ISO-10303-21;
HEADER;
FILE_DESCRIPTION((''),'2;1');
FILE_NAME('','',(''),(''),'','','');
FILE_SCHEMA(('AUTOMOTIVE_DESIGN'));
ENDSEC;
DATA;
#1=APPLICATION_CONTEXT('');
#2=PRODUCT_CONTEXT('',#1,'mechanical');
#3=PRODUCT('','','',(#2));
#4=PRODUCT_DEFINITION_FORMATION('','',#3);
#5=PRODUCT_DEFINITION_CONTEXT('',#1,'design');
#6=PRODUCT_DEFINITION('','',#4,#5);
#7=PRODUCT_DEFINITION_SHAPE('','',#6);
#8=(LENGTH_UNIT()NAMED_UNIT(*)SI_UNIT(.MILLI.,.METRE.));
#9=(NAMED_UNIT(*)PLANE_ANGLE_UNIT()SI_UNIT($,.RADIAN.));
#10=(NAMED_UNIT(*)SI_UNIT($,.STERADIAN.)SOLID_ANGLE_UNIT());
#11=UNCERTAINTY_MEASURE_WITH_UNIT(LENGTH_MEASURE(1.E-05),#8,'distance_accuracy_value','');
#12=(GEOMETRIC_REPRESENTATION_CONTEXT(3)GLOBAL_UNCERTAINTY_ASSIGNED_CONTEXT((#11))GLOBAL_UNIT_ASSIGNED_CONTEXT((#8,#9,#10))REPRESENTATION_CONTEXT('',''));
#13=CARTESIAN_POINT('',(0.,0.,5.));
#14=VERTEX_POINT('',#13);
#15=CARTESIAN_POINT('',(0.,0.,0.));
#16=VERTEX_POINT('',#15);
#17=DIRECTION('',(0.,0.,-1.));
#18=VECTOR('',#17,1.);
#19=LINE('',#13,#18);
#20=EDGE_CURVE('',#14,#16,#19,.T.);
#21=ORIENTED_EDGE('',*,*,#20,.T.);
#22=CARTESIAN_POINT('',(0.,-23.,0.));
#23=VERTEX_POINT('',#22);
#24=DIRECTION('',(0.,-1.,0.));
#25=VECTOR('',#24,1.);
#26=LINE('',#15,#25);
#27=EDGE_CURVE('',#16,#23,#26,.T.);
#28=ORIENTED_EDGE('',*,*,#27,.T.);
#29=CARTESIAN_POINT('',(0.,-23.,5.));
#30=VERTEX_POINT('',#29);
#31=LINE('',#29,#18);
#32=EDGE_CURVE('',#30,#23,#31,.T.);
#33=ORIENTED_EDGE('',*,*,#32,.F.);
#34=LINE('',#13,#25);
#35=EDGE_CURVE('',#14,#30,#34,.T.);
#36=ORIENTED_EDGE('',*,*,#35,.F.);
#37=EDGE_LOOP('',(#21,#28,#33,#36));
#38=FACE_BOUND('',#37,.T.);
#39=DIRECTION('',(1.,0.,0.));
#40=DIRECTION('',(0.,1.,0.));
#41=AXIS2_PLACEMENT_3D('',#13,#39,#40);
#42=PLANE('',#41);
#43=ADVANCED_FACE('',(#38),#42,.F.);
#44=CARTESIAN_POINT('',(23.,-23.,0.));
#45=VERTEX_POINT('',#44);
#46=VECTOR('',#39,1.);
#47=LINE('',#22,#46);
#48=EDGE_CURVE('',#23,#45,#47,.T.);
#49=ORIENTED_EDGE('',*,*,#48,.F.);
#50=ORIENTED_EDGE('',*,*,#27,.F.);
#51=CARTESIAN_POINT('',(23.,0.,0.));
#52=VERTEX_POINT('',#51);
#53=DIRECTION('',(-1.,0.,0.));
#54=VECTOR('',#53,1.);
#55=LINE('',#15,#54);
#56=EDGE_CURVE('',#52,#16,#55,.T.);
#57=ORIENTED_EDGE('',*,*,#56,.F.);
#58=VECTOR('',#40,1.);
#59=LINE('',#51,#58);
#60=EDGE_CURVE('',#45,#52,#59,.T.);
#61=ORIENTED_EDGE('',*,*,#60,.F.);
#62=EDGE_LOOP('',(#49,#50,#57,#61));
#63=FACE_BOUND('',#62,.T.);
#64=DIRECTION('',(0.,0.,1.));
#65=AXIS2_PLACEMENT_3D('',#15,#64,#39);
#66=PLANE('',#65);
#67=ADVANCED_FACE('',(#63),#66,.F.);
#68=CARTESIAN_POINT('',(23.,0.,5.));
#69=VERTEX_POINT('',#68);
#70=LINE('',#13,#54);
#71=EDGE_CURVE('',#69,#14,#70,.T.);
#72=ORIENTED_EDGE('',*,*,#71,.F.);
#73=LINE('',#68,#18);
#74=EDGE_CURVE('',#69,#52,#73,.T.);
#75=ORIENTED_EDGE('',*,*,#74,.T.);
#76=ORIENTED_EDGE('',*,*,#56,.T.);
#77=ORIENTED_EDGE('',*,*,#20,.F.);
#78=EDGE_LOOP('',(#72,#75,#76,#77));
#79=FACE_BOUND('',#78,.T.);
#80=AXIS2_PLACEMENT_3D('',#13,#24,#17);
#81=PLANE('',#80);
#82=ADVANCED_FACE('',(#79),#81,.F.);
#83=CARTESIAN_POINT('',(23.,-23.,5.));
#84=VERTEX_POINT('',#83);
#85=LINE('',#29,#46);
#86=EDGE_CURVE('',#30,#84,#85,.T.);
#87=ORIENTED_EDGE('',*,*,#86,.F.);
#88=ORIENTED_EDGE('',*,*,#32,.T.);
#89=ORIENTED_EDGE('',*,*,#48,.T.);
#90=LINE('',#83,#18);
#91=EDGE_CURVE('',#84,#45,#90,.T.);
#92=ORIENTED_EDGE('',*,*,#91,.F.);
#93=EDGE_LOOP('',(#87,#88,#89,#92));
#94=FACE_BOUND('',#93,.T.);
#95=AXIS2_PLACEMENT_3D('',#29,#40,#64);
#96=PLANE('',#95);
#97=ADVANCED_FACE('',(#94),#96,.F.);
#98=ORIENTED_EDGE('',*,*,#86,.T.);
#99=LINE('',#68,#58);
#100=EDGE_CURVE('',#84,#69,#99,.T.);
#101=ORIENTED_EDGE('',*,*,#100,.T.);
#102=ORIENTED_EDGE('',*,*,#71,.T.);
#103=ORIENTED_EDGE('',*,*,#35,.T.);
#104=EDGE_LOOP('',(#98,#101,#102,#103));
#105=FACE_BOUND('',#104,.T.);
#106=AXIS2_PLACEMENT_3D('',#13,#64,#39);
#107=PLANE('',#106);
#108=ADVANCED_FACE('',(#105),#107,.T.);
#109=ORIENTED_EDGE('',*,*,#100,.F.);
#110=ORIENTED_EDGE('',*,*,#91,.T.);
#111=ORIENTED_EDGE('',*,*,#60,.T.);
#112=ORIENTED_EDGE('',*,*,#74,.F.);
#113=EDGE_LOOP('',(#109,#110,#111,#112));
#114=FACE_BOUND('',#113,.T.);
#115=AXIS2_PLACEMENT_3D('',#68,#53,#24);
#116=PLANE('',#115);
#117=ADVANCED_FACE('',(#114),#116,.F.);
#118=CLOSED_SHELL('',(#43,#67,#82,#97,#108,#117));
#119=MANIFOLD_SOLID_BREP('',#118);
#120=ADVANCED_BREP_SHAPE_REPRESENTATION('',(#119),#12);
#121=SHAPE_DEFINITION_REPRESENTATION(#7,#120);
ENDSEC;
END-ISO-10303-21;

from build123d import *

# Parameters (mm, degrees)
SKETCH_1_W      = 23
SKETCH_1_H      = 23
EXTRUDE_1_DEPTH = 5


with BuildPart() as part:
    # 草图1 → 凸台-拉伸1 (new body)
    with BuildSketch(Plane.XY):
        with Locations((11.5, -11.5)):
            Rectangle(SKETCH_1_W, SKETCH_1_H)
    extrude(amount=EXTRUDE_1_DEPTH)


solid = part.part
